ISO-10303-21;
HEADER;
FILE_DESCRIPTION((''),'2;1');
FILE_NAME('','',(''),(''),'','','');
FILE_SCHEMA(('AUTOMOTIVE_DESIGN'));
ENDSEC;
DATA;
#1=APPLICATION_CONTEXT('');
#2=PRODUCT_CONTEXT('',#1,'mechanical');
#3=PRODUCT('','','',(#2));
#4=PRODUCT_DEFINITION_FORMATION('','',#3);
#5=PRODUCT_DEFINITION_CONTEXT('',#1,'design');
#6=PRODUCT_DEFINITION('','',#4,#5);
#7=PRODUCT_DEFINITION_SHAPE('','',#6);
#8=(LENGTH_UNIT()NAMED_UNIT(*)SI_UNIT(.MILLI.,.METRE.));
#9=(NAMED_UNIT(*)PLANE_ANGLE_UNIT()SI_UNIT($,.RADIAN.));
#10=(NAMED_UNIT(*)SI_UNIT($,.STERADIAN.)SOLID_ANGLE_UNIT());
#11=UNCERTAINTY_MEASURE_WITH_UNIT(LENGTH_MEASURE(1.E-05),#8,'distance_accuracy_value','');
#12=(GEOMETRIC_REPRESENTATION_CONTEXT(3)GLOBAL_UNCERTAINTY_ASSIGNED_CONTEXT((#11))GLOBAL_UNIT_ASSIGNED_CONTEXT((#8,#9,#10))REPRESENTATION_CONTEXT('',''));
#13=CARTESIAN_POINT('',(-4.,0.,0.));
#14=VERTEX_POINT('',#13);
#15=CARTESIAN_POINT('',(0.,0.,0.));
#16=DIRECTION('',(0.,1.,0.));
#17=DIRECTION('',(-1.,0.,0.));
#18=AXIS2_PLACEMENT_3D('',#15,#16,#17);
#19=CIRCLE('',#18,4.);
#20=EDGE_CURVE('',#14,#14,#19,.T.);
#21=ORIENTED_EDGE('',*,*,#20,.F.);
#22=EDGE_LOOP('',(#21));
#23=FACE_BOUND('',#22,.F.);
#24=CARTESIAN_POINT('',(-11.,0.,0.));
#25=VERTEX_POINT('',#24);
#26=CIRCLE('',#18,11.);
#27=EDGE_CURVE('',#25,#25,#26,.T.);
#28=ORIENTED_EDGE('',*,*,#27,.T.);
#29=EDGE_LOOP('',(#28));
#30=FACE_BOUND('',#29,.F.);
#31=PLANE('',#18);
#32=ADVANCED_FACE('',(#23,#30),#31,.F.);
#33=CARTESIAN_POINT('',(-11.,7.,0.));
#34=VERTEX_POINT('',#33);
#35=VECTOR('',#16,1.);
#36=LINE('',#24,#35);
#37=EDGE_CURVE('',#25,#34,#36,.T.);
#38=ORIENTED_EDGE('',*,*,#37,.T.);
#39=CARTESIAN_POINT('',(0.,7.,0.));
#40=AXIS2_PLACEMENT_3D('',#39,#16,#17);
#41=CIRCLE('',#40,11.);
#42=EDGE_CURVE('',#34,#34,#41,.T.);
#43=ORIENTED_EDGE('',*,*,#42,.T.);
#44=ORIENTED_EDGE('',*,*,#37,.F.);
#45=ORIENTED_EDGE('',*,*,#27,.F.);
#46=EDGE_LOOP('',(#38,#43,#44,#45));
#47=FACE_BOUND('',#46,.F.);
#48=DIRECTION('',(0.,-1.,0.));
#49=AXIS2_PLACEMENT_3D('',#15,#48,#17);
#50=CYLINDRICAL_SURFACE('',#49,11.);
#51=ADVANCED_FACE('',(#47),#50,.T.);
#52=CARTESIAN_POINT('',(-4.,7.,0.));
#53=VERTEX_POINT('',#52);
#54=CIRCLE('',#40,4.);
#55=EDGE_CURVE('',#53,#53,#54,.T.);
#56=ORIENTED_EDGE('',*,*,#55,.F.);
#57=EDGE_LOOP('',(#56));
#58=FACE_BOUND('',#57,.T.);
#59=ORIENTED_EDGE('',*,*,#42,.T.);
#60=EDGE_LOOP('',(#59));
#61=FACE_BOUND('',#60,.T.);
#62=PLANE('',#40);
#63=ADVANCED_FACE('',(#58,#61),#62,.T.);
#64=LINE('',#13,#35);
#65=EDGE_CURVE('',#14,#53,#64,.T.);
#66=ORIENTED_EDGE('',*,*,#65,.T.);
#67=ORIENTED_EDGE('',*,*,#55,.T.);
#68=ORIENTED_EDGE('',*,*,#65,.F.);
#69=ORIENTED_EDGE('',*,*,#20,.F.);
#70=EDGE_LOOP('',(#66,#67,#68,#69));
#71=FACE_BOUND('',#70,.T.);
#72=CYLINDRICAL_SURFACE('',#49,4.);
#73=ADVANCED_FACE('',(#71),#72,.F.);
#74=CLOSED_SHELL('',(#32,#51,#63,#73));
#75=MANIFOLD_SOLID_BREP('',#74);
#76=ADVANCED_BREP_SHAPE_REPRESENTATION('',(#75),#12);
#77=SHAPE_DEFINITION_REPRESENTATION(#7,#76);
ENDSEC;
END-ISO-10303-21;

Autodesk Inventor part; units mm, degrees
ref_plane "YZ Plane" through (0, 0, 0) normal (1, 0, 0) x (0, 1, 0)
ref_plane "XZ Plane" through (0, 0, 0) normal (0, 1, 0) x (-1, 0, 0)
ref_plane "XY Plane" through (0, 0, 0) normal (0, 0, 1) x (1, 0, 0)
sketch "Sketch1" plane through (0, 0, 0) normal (0, 1, 0) x (-1, 0, 0)
  circle A0 centre (0, 0) radius 4
  circle A1 centre (0, 0) radius 11
  dimension "d0" = 8
  dimension "d1" = 22
extrude "Extrusion1" add sketch "Sketch1" along normal blind 7
properties part number "608ZZBearing" material "Stainless Steel AISI 202"
